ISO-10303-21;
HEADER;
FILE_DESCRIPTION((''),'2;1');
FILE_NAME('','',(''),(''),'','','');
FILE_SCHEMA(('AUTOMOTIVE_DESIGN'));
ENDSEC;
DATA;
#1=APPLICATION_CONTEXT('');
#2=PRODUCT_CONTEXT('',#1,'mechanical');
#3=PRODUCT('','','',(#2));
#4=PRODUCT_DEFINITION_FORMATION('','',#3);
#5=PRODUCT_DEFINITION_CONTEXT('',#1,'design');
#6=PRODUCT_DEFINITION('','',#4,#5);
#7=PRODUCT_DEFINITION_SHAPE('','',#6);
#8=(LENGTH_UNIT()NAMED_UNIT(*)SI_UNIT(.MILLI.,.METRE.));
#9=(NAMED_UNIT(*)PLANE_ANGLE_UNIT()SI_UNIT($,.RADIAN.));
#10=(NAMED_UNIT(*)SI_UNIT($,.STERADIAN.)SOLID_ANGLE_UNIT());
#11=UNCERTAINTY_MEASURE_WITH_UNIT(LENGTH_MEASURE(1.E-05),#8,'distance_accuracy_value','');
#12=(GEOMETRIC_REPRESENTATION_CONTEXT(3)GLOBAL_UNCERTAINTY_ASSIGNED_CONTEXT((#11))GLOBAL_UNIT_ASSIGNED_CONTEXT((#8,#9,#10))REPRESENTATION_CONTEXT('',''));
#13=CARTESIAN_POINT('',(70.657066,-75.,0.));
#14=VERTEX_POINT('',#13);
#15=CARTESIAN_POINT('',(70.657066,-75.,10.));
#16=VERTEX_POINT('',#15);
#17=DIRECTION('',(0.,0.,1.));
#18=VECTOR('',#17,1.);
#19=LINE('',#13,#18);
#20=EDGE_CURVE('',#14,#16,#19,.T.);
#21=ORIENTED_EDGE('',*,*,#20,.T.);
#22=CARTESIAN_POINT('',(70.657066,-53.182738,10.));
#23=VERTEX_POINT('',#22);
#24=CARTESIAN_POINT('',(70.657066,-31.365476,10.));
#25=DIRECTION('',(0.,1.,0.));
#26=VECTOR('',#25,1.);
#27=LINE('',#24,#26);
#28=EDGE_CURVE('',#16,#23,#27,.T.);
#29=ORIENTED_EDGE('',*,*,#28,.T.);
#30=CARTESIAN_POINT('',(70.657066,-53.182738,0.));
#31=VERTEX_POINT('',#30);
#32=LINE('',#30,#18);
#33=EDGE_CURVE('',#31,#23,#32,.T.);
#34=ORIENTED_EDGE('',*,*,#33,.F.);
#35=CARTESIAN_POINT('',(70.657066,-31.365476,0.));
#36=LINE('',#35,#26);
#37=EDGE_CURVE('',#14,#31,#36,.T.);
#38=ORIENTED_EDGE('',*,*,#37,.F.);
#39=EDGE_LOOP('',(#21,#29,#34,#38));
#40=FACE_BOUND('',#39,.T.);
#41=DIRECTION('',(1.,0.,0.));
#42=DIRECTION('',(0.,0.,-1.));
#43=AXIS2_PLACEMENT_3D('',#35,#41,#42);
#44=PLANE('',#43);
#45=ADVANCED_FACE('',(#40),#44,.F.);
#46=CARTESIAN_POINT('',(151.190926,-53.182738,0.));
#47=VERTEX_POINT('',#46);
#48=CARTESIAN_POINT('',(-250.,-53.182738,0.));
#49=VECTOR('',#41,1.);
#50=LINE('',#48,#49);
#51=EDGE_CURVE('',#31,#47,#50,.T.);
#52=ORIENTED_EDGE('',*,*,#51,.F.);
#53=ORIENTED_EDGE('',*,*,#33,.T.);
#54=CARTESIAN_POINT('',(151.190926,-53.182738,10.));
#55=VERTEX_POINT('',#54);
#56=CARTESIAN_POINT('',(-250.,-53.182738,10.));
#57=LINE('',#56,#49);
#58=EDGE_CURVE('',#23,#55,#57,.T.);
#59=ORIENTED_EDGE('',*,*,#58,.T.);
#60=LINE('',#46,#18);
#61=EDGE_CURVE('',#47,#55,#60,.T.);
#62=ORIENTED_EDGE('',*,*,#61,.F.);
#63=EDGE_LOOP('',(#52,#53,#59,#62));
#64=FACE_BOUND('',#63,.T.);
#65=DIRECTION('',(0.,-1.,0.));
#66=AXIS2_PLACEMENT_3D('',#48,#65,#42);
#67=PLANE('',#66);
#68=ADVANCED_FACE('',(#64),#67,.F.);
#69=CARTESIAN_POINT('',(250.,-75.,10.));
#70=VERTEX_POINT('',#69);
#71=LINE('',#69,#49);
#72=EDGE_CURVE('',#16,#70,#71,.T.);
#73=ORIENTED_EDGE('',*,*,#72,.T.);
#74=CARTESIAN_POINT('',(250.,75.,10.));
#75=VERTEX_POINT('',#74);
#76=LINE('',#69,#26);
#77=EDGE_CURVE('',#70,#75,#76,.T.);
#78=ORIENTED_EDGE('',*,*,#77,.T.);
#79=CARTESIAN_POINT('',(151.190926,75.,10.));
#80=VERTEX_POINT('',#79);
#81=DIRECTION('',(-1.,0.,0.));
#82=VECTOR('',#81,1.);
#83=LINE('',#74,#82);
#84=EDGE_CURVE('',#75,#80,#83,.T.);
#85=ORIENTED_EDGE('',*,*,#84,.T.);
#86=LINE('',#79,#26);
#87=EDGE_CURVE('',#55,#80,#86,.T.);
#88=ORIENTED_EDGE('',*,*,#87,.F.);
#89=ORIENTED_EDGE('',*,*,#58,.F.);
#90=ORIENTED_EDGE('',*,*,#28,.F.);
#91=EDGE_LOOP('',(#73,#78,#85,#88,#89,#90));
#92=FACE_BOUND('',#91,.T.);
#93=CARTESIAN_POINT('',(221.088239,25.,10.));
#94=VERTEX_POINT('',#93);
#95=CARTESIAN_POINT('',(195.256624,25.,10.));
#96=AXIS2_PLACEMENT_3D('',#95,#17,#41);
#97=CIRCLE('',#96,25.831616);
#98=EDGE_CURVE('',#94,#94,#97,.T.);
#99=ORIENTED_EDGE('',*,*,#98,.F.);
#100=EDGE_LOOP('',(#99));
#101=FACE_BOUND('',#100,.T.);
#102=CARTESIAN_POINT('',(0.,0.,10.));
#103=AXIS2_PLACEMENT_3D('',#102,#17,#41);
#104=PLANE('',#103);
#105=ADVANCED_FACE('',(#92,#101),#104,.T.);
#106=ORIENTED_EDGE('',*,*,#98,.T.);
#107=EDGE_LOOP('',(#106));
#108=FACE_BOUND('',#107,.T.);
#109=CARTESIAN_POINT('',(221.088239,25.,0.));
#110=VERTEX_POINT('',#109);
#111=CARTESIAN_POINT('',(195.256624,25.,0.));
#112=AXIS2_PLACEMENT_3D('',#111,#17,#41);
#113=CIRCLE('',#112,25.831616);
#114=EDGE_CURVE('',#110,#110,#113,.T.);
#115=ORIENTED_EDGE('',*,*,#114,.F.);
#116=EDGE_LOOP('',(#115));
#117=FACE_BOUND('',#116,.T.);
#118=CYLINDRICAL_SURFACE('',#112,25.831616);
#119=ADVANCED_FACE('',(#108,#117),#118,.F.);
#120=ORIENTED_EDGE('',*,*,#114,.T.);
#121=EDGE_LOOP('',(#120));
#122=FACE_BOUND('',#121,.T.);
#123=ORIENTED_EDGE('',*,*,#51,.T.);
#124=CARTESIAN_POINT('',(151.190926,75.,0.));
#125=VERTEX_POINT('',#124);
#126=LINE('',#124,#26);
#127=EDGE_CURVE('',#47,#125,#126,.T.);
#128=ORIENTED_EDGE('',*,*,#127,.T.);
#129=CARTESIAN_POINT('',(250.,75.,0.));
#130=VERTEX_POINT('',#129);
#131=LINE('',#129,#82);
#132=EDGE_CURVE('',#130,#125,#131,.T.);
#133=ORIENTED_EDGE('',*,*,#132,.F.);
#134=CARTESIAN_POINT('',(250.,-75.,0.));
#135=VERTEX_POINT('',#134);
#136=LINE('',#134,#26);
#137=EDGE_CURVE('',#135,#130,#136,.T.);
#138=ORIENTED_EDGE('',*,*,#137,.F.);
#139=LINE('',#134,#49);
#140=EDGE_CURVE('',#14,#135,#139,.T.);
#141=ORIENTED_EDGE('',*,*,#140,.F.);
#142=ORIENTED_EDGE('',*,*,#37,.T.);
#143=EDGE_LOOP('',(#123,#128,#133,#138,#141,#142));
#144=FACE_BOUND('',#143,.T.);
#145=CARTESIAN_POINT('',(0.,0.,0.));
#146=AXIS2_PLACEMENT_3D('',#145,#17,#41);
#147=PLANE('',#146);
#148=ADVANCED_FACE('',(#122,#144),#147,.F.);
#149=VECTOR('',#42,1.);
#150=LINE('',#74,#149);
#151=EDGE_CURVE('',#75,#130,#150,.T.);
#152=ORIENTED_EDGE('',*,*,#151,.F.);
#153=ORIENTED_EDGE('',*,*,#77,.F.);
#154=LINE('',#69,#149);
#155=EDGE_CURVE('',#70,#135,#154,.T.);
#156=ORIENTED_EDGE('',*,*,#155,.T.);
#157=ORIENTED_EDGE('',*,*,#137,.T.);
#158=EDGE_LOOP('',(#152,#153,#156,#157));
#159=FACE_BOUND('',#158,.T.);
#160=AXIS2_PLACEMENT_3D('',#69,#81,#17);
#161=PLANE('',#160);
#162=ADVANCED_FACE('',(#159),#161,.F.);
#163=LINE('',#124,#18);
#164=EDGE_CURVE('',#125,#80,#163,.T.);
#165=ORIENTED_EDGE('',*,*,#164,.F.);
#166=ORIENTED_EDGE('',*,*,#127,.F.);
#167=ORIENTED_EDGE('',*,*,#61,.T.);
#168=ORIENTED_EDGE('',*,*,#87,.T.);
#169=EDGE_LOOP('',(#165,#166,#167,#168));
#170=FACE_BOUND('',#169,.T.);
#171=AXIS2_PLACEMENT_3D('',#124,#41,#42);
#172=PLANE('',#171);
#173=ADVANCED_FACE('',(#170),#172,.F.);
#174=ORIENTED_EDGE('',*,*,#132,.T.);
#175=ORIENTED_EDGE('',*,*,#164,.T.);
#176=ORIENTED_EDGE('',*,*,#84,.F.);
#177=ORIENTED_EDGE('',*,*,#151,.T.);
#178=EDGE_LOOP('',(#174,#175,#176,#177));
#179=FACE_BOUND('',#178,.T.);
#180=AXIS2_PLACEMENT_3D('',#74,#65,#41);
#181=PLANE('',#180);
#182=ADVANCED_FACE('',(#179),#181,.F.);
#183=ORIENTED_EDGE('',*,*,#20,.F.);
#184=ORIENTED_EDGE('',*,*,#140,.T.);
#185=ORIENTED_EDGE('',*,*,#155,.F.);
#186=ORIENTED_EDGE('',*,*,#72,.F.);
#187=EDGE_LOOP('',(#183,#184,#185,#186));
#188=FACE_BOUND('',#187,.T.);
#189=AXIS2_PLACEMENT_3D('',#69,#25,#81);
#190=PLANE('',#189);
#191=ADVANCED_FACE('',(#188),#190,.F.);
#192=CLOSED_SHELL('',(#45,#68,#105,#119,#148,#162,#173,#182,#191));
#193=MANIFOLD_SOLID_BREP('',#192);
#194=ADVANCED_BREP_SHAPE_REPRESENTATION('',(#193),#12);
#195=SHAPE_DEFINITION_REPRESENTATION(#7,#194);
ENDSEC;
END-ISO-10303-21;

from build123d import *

# Parameters (mm, degrees)
SKETCH1_W           = 500
SKETCH1_H           = 150
BOSS_EXTRUDE1_DEPTH = 10
SKETCH2_R           = 25.831615562
CUT_EXTRUDE1_DEPTH  = 10
SKETCH3_W           = 401.190926376
SKETCH3_H           = 128.182737921
CUT_EXTRUDE2_DEPTH  = 10
SKETCH5_W           = 641.31413219
SKETCH5_H           = 43.634524158
CUT_EXTRUDE3_DEPTH  = 10


with BuildPart() as part:
    # Sketch1 → Boss-Extrude1 (new body)
    with BuildSketch(Plane.XY):
        Rectangle(SKETCH1_W, SKETCH1_H)
    extrude(amount=BOSS_EXTRUDE1_DEPTH)

    # Sketch2 → Cut-Extrude1 (cut)
    with BuildSketch(Plane.XY.offset(10)):
        with Locations((195.256623511, 25)):
            Circle(SKETCH2_R)
    extrude(amount=-CUT_EXTRUDE1_DEPTH, mode=Mode.SUBTRACT)

    # Sketch3 → Cut-Extrude2 (cut)
    with BuildSketch(Plane.XY.offset(10)):
        with Locations((-49.404536812, 10.908631039)):
            Rectangle(SKETCH3_W, SKETCH3_H)
    extrude(amount=-CUT_EXTRUDE2_DEPTH, mode=Mode.SUBTRACT)

    # Sketch5 → Cut-Extrude3 (cut)
    with BuildSketch(Plane.XY.offset(10)):
        with Locations((-250, -53.182737921)):
            Rectangle(SKETCH5_W, SKETCH5_H)
    extrude(amount=-CUT_EXTRUDE3_DEPTH, mode=Mode.SUBTRACT)


solid = part.part
